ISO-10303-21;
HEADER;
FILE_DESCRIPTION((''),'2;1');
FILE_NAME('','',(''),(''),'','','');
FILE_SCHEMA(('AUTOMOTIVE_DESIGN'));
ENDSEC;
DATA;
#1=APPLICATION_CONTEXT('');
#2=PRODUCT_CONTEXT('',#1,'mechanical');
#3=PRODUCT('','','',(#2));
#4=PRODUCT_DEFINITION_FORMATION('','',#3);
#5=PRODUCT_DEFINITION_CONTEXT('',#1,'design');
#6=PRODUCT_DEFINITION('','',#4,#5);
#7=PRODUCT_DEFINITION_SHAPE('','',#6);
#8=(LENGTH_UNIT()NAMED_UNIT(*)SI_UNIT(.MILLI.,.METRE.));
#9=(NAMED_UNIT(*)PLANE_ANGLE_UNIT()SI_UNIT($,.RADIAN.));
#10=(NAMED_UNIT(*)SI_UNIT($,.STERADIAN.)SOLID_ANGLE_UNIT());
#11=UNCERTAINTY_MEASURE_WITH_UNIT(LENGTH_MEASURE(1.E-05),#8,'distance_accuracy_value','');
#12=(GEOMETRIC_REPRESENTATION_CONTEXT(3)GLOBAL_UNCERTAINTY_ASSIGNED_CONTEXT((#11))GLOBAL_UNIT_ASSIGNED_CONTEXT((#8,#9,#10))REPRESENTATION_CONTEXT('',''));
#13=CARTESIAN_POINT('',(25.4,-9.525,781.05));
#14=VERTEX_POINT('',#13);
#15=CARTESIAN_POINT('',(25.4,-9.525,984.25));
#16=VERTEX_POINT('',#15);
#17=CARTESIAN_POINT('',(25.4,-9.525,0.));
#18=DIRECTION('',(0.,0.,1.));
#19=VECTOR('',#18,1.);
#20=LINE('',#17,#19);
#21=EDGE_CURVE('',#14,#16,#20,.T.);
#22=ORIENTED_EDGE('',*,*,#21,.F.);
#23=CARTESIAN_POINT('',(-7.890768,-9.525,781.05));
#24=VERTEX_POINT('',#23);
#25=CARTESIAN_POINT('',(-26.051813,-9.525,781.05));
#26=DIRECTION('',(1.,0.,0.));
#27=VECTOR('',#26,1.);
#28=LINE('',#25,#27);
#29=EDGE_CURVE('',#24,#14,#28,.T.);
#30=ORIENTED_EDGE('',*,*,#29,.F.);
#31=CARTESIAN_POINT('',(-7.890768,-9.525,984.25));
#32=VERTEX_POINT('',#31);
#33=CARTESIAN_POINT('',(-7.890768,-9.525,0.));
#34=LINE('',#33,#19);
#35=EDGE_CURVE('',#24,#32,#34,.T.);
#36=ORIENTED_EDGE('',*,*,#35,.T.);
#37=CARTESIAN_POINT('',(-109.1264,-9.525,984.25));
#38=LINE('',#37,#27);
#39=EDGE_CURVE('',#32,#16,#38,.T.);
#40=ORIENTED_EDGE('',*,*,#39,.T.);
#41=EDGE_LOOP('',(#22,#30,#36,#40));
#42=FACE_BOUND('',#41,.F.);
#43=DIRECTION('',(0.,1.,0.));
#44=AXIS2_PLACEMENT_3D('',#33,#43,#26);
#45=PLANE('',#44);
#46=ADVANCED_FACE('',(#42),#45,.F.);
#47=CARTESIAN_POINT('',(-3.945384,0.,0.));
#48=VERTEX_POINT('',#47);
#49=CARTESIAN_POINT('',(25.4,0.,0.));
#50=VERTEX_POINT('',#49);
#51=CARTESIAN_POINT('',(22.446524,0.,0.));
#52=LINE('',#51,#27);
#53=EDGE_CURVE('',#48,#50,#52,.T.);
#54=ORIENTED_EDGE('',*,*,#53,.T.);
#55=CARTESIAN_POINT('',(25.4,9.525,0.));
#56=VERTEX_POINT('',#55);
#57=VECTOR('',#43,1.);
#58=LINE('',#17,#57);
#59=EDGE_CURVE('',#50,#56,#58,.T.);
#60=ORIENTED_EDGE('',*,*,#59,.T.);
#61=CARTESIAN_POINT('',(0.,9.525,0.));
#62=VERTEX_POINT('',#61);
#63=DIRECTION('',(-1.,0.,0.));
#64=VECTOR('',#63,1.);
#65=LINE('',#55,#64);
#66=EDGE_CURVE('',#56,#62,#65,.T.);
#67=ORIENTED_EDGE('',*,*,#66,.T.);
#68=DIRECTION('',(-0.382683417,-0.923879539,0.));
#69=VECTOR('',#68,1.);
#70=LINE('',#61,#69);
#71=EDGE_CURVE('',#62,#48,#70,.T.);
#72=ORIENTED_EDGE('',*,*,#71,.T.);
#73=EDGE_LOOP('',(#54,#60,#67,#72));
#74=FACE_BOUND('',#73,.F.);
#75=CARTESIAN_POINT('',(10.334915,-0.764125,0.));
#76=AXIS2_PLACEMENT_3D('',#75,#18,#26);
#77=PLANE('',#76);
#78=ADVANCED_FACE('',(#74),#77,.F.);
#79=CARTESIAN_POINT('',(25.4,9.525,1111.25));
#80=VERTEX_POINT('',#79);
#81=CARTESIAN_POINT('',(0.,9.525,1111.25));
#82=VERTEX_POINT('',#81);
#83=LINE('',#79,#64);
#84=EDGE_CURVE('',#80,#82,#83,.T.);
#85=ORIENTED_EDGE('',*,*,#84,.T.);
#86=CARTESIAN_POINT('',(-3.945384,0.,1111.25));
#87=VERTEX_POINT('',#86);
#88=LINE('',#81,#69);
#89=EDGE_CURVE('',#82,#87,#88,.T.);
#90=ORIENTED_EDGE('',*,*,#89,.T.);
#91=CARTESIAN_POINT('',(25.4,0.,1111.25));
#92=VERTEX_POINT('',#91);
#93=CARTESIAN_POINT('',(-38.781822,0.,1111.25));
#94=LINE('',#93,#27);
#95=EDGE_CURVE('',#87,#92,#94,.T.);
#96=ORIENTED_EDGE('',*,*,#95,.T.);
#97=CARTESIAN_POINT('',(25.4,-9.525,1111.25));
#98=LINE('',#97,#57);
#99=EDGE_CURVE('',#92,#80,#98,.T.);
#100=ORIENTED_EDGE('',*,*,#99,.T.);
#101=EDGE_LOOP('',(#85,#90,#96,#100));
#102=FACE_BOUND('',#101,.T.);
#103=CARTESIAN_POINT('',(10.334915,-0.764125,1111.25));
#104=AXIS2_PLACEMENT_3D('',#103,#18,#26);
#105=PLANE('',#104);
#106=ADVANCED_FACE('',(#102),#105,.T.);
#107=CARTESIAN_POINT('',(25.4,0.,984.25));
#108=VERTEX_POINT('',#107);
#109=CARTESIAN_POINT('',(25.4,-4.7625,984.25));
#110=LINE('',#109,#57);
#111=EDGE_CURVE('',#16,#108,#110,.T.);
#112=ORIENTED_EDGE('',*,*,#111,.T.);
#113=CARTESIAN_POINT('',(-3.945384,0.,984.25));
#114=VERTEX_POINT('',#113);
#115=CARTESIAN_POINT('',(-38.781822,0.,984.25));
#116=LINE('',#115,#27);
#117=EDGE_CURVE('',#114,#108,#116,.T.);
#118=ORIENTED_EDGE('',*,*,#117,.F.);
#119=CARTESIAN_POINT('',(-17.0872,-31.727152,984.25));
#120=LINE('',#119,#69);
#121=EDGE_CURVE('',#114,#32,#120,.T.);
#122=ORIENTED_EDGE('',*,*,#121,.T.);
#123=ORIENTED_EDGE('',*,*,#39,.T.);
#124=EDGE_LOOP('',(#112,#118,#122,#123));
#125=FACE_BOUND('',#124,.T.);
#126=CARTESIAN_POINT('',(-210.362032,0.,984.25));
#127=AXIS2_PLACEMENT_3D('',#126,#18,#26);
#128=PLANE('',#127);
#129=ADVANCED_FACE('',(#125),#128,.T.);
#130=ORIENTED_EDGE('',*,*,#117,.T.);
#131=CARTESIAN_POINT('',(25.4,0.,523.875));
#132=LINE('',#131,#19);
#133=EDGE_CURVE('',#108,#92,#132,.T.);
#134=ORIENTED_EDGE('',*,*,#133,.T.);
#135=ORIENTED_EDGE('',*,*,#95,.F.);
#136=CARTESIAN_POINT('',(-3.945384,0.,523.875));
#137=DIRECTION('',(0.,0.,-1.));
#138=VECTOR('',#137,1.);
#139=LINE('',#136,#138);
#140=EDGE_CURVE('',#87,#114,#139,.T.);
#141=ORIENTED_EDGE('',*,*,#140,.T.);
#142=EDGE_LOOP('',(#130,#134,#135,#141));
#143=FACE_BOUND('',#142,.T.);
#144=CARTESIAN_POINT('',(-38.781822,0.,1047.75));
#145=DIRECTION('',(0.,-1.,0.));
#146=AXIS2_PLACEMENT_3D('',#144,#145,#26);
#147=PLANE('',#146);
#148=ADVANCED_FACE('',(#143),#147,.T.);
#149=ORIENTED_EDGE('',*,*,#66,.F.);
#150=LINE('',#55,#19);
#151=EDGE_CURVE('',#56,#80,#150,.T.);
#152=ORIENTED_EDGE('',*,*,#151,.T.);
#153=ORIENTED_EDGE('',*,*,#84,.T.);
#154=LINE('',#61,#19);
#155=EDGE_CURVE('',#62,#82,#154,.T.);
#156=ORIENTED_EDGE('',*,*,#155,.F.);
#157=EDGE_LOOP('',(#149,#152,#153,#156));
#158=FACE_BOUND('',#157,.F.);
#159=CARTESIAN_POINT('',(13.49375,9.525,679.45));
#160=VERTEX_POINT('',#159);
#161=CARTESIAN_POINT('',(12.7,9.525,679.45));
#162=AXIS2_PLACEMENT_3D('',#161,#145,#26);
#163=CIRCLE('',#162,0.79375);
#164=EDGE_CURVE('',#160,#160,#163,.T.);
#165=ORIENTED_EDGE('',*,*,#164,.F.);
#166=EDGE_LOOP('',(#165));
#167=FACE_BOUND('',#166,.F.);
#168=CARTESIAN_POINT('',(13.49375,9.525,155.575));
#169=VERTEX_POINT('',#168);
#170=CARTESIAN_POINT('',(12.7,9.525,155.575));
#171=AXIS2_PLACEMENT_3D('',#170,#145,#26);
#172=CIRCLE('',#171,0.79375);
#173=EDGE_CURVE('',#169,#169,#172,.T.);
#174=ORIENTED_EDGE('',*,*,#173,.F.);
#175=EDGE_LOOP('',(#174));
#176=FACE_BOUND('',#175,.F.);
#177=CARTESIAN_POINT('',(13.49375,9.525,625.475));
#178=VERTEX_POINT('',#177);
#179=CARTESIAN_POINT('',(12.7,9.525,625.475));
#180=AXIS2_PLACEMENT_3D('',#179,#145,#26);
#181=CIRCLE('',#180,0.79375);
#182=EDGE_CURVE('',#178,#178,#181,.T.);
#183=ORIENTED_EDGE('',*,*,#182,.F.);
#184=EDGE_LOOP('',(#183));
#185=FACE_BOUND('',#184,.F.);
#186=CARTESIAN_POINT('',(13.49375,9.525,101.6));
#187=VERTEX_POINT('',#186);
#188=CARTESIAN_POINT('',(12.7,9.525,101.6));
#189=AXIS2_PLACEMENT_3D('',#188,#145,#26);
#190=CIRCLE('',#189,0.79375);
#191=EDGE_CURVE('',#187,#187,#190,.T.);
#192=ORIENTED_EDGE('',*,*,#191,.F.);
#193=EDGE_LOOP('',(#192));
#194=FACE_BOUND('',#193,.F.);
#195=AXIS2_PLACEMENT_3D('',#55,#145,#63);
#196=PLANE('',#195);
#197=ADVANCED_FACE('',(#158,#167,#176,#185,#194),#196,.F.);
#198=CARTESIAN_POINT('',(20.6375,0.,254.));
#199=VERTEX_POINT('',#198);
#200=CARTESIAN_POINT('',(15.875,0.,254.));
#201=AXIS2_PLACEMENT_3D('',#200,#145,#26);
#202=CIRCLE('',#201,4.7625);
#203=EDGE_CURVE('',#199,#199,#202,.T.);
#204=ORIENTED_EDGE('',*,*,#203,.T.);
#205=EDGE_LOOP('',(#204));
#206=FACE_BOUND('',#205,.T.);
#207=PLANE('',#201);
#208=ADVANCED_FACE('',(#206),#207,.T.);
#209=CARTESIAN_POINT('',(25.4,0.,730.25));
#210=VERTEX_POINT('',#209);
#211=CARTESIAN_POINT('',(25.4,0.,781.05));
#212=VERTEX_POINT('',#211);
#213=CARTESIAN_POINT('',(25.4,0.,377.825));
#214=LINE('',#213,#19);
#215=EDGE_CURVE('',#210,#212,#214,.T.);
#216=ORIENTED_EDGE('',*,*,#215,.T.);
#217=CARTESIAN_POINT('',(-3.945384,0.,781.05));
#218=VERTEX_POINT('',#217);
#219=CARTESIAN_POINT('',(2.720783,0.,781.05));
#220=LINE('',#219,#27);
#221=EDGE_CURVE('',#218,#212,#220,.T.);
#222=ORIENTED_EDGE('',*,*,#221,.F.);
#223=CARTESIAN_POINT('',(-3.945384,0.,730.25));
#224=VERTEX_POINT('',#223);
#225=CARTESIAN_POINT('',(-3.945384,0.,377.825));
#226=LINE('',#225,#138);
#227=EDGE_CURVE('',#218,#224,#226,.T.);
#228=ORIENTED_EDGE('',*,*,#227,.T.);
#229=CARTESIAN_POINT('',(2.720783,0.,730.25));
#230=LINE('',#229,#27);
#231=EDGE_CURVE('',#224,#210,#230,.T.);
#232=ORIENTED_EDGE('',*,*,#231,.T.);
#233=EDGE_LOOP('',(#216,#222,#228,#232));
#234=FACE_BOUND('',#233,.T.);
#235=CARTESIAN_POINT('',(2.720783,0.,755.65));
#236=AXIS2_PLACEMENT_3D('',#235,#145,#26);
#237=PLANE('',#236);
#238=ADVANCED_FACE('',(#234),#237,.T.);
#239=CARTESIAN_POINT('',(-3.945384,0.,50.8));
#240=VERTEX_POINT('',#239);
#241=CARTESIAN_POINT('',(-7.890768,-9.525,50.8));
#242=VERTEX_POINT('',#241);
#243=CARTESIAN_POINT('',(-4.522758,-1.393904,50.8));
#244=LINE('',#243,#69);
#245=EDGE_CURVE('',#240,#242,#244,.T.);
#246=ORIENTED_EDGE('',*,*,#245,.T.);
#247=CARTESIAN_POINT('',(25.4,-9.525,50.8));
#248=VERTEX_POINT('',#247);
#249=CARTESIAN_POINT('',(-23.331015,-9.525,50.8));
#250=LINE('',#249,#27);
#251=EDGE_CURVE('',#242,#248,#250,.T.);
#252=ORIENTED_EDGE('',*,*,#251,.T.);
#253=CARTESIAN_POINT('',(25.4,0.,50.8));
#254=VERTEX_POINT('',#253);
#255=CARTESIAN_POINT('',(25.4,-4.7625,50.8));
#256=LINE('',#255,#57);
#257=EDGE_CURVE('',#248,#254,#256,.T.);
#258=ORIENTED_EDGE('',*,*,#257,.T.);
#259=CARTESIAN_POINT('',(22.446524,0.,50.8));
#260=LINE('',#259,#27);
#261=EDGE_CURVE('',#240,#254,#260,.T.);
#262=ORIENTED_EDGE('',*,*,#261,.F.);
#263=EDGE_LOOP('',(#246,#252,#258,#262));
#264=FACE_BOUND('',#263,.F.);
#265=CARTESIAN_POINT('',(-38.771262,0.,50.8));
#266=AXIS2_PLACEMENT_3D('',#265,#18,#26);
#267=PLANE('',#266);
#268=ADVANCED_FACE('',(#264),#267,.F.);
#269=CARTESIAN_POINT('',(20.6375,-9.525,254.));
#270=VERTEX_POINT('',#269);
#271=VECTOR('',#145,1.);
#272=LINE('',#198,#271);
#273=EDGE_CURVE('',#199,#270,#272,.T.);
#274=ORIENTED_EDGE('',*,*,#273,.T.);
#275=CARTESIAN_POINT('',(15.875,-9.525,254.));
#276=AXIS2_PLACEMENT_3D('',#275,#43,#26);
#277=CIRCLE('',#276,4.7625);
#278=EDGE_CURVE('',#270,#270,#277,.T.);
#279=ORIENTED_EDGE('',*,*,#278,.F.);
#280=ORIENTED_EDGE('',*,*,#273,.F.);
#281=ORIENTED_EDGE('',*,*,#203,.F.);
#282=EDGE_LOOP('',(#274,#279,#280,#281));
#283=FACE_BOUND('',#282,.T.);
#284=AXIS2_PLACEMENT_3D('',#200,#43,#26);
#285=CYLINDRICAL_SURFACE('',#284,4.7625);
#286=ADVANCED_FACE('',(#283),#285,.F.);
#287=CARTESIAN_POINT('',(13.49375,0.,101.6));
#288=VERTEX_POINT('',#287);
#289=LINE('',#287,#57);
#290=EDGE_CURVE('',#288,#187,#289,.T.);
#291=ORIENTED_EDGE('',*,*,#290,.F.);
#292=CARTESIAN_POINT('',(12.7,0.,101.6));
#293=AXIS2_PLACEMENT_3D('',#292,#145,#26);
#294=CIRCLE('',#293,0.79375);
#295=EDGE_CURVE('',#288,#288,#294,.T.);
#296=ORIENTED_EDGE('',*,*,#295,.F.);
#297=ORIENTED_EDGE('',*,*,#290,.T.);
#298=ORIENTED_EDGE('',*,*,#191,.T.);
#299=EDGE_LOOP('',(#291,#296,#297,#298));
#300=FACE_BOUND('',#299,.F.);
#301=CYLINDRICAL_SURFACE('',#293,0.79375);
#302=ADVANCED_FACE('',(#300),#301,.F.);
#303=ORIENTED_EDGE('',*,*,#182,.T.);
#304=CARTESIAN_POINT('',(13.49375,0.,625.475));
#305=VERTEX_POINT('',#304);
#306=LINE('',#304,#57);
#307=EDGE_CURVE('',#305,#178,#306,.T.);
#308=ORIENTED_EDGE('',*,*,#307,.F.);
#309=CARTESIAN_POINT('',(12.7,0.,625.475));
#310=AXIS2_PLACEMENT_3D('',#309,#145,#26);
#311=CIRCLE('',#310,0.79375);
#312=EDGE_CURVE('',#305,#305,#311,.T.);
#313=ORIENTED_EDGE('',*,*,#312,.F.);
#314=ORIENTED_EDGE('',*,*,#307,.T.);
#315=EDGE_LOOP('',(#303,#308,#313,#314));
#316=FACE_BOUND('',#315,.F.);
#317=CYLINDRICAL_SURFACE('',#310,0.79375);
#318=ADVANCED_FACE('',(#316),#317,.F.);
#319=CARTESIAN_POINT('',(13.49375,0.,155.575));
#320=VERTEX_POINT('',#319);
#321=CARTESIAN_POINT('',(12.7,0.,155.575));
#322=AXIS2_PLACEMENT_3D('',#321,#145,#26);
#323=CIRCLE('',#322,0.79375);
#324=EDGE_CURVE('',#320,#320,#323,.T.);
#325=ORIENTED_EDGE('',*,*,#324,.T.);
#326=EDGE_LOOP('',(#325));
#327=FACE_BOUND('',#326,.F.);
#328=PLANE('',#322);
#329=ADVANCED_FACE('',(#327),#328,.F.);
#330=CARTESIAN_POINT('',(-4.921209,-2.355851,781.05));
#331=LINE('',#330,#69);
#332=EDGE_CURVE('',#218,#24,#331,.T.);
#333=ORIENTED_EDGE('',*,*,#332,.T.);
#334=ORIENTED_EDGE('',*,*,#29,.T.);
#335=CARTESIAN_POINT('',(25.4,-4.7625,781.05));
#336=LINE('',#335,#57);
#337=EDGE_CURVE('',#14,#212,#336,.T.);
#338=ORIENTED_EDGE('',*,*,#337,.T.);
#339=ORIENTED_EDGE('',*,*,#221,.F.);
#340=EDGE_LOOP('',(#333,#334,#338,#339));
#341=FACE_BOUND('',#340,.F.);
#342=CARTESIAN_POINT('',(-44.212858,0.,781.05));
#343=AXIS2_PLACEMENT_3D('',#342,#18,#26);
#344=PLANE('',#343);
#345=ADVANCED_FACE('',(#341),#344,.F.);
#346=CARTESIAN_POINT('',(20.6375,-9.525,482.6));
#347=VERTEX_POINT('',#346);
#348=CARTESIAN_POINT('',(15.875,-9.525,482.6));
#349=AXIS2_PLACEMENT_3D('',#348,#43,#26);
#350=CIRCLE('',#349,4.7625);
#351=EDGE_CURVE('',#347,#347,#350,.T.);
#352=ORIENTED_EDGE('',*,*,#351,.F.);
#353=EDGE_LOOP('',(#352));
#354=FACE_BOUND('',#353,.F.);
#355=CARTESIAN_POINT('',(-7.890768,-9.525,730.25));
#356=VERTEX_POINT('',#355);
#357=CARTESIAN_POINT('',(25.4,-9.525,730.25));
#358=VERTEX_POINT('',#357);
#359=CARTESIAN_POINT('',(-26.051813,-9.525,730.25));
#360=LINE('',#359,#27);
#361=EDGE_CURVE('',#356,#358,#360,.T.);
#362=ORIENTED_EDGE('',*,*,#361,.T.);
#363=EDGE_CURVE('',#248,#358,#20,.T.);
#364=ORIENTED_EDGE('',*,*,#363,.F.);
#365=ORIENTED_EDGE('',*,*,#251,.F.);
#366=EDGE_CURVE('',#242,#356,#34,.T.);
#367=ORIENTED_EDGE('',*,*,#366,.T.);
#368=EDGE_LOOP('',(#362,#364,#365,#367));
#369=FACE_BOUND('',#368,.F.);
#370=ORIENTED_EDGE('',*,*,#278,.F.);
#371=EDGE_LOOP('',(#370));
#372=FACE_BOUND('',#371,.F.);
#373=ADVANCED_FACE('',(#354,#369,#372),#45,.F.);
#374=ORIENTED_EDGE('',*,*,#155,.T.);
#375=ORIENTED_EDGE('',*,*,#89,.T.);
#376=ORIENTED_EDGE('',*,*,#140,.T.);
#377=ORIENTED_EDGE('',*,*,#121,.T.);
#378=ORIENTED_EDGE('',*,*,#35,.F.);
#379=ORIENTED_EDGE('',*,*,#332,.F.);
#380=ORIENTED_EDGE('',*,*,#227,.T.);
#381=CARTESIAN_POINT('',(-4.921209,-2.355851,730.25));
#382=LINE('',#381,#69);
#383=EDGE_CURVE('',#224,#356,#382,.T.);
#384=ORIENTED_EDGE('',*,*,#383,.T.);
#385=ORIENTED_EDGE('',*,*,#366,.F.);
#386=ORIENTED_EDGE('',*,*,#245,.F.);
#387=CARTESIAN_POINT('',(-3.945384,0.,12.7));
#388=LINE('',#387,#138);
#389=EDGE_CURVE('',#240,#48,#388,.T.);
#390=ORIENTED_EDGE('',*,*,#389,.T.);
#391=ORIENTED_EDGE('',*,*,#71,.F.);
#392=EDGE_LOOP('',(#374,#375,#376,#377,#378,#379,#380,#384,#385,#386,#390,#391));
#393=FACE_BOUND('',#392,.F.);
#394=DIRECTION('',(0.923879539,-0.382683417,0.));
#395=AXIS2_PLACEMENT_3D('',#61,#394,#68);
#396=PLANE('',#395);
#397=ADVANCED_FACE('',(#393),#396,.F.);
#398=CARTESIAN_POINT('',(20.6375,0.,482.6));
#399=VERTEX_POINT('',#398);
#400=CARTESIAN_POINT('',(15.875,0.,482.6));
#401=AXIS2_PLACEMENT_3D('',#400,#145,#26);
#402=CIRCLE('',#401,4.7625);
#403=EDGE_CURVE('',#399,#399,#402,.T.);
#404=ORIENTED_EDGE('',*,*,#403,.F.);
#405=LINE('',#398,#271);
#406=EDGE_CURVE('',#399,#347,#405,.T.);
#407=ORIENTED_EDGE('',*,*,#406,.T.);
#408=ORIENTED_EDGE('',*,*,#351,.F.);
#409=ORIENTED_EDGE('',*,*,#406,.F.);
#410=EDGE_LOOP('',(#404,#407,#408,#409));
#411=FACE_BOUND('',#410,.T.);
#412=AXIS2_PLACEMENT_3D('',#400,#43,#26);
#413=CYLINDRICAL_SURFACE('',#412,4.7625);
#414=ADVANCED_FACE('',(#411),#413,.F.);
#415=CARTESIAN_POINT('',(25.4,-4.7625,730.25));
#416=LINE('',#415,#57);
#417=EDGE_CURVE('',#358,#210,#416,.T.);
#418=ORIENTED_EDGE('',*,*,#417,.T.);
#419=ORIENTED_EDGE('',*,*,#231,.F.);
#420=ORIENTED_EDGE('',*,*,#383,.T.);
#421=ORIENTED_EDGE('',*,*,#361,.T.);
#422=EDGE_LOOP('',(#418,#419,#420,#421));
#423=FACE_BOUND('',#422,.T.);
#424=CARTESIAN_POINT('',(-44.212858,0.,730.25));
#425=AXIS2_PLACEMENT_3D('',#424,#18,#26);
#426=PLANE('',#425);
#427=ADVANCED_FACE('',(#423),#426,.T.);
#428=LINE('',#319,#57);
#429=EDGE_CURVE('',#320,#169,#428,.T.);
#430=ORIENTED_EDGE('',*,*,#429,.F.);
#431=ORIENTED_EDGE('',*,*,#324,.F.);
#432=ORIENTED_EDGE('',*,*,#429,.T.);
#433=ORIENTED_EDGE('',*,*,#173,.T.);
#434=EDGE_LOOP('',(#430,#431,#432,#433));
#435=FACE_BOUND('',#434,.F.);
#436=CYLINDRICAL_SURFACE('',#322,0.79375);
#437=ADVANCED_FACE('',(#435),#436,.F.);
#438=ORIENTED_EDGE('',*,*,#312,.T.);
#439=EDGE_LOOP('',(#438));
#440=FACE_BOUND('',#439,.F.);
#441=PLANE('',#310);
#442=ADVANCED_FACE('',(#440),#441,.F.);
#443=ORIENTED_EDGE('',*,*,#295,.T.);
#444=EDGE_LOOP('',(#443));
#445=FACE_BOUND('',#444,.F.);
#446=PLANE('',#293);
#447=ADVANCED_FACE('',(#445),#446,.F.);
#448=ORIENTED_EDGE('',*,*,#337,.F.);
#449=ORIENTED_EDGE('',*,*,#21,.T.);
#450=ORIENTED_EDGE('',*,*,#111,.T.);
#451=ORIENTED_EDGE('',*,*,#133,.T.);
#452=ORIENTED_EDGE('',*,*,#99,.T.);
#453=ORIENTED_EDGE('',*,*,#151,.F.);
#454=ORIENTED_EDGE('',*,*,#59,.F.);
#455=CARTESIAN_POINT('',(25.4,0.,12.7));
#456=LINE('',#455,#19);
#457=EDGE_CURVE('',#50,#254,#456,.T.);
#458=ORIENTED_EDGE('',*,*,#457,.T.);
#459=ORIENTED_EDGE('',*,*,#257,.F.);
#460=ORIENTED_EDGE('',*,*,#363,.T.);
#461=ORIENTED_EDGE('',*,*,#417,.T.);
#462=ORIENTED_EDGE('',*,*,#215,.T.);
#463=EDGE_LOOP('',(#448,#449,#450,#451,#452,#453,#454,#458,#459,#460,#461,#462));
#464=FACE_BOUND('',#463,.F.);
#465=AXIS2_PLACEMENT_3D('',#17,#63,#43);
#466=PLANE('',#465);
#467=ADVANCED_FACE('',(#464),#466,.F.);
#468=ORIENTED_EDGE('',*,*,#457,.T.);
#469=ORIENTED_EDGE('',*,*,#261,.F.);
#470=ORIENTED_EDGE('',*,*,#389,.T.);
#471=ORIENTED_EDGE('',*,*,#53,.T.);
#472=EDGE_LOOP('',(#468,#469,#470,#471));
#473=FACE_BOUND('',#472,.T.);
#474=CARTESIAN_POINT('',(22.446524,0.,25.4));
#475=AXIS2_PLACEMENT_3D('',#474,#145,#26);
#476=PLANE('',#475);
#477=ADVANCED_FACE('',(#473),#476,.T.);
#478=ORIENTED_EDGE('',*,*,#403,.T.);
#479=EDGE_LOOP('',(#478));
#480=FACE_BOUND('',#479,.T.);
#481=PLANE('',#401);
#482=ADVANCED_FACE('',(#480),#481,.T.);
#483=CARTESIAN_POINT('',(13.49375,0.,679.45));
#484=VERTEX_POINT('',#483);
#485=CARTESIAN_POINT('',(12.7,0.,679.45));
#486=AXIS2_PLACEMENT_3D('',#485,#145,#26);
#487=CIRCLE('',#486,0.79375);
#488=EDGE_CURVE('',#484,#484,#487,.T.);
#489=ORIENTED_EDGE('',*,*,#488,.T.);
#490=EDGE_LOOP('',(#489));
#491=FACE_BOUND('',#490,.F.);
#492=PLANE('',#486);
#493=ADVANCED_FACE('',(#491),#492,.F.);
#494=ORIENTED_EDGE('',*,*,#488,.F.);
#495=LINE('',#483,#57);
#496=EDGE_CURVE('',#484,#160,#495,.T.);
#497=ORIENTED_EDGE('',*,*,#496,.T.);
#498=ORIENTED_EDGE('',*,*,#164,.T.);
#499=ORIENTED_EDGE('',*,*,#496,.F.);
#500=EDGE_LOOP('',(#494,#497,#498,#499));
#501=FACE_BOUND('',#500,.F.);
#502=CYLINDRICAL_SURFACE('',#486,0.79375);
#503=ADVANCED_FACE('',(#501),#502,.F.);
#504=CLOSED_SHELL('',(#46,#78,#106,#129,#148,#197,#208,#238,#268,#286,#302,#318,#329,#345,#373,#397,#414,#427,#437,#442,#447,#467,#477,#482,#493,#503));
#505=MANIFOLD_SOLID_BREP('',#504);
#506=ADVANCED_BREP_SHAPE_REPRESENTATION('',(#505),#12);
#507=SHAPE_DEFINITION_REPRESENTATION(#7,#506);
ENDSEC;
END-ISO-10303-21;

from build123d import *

# Parameters (mm, degrees)
F1_DEPTH = 1111.25
F2_W     = 122.435573
F2_H     = 50.8
F2_W_2   = 93.867282
F2_W_3   = 343.160421
F2_H_2   = 127
F3_DEPTH = 25.4
F4_R     = 0.79375
F5_DEPTH = 25.4
F6_R     = 4.7625
F7_DEPTH = 25.4


with BuildPart() as f1:
    # F0 (on Top) → F1 (new body)
    with BuildSketch(Plane.XY):
        Polygon((25.4, -9.525), (25.4, 9.525), (0, 9.525), (-7.890768, -9.525), align=None)
    extrude(amount=F1_DEPTH)

    # F2 (on Front) → F3 (cut)
    with BuildSketch(Plane.XZ):
        with Locations((22.446524, 25.4)):
            Rectangle(F2_W, F2_H)
        with Locations((2.720783, 755.65)):
            Rectangle(F2_W_2, F2_H)
        with Locations((-38.781822, 1047.75)):
            Rectangle(F2_W_3, F2_H_2)
    extrude(amount=F3_DEPTH, mode=Mode.SUBTRACT)

    # F4 (on Front) → F5 (cut)
    with BuildSketch(Plane.XZ):
        with Locations((12.7, 101.6)):
            Circle(F4_R)
        with Locations((12.7, 155.575)):
            Circle(F4_R)
        with Locations((12.7, 625.475)):
            Circle(F4_R)
        with Locations((12.7, 679.45)):
            Circle(F4_R)
        with Locations((-12.7, 625.475)):
            Circle(F4_R)
        with Locations((-12.7, 679.45)):
            Circle(F4_R)
        with Locations((-12.7, 101.6)):
            Circle(F4_R)
        with Locations((-12.7, 155.575)):
            Circle(F4_R)
    extrude(amount=-F5_DEPTH, mode=Mode.SUBTRACT)

    # F6 (on Front) → F7 (cut)
    with BuildSketch(Plane.XZ):
        with Locations((15.875, 254)):
            Circle(F6_R)
        with Locations((15.875, 482.6)):
            Circle(F6_R)
    extrude(amount=F7_DEPTH, mode=Mode.SUBTRACT)


solid = f1.part
